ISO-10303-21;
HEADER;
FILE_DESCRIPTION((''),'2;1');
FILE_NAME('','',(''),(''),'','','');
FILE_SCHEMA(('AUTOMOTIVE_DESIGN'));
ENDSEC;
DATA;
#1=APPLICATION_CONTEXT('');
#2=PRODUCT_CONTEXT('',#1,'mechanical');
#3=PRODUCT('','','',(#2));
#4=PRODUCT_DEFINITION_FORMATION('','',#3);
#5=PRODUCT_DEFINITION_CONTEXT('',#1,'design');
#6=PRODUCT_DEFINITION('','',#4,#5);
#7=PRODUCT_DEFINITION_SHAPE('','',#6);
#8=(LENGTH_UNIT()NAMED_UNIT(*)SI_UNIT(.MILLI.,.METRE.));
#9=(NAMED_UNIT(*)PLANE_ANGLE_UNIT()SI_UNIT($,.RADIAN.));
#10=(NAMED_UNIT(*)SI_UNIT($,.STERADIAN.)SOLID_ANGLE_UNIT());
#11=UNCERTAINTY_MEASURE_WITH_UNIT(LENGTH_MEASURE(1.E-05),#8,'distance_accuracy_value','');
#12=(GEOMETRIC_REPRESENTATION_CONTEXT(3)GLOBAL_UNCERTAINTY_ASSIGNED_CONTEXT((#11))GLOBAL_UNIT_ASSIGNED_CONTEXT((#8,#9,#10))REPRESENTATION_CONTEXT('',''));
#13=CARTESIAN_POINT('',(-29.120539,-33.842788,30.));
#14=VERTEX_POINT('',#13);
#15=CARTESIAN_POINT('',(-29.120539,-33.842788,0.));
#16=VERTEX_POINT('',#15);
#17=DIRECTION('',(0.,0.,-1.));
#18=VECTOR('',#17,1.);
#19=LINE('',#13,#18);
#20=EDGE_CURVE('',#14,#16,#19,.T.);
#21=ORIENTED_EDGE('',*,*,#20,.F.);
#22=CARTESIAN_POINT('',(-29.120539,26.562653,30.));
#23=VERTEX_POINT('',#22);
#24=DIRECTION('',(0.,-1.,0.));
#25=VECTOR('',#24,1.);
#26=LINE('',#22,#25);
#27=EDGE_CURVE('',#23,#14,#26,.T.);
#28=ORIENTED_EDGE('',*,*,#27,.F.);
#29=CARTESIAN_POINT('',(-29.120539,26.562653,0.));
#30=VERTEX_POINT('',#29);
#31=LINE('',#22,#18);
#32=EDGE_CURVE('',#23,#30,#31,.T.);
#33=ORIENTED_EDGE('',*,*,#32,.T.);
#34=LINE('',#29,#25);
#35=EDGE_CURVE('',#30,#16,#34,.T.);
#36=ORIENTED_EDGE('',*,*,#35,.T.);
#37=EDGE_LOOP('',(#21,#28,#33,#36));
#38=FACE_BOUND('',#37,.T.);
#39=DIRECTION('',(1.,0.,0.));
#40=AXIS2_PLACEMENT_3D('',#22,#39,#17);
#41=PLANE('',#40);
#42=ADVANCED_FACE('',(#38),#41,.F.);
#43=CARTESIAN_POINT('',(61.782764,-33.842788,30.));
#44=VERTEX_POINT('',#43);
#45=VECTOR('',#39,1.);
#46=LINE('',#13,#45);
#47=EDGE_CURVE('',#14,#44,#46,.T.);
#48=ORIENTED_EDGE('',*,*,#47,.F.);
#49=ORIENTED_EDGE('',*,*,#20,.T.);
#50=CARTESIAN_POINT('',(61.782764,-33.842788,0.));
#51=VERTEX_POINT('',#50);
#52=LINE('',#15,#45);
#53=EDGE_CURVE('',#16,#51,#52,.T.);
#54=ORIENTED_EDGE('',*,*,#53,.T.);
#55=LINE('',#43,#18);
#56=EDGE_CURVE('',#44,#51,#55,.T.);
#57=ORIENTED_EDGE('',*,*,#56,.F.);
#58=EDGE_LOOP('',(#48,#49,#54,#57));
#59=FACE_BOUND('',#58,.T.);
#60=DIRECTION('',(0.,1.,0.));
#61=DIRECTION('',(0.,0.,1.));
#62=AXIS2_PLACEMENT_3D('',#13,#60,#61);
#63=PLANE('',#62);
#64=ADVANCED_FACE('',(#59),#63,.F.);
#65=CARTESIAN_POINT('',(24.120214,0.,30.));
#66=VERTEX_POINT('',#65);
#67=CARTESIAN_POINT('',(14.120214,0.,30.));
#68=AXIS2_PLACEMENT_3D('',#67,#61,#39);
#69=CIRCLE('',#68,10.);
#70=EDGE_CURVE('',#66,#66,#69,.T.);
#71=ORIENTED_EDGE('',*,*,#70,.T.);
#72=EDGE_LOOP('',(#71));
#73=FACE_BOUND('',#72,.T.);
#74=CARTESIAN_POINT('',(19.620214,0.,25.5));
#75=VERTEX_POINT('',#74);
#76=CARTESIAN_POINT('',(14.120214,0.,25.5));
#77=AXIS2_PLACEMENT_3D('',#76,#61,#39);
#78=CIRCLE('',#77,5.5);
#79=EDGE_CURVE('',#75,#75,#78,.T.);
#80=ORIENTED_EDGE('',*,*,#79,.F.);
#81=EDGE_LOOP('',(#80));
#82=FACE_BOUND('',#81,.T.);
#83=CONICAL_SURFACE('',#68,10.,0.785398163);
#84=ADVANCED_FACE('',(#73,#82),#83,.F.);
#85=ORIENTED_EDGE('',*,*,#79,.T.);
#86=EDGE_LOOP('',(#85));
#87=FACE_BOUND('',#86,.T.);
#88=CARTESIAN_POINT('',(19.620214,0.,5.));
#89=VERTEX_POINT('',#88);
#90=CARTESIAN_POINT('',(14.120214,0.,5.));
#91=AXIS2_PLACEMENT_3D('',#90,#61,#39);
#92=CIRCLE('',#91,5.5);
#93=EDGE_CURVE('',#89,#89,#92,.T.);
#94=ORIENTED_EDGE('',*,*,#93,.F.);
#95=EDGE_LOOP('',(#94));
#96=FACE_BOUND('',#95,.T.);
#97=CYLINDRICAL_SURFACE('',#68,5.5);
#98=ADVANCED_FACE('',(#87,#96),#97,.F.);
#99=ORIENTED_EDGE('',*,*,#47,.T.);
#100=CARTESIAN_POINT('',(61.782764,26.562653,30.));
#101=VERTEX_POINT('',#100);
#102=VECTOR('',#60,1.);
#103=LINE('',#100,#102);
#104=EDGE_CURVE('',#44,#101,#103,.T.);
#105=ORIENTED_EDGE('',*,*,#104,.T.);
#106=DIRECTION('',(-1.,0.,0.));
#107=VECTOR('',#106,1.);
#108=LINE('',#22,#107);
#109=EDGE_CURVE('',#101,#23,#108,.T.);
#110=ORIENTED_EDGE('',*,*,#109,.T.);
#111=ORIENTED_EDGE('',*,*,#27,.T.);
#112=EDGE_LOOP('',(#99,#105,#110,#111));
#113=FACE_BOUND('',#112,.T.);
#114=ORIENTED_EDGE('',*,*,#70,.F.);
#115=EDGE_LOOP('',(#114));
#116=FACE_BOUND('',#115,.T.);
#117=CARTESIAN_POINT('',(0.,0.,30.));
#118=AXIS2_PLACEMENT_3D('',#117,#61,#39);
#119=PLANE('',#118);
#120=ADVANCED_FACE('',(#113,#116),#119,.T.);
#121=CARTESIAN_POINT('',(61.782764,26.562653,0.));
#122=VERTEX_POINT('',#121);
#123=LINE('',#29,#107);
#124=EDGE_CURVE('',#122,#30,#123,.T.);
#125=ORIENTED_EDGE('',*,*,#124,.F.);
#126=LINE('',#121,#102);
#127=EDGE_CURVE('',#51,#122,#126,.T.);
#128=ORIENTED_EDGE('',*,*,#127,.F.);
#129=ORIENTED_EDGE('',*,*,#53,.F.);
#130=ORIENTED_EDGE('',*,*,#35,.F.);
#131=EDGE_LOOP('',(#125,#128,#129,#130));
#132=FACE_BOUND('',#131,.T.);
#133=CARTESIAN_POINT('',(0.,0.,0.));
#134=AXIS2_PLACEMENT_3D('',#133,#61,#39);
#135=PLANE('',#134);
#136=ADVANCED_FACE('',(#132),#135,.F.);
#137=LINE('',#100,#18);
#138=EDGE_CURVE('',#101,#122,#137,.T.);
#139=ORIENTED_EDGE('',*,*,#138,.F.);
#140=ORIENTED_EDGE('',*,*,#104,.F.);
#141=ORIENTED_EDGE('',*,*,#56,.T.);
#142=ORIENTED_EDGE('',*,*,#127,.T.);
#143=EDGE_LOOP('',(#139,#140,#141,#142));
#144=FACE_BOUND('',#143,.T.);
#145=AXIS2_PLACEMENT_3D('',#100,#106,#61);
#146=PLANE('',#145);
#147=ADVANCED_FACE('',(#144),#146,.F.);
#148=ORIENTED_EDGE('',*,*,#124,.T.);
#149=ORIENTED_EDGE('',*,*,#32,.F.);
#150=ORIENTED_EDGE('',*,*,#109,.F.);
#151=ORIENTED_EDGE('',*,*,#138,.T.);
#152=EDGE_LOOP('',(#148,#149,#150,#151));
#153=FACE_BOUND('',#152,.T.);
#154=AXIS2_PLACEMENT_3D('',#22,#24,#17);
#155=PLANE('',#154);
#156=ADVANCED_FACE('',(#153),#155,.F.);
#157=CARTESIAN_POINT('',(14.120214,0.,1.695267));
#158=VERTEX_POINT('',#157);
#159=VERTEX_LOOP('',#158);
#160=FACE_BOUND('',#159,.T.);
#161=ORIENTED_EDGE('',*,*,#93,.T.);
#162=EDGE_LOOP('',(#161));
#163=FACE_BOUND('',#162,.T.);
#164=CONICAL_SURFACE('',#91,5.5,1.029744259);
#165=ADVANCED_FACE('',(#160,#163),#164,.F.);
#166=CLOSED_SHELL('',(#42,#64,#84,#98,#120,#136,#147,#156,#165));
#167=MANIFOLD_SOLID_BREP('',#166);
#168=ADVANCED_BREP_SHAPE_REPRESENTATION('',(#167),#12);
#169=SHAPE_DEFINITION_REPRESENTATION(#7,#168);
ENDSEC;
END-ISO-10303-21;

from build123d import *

# Parameters (mm, degrees)
SKETCH1_W                                            = 90.903302848
SKETCH1_H                                            = 60.405441503
BOSS_EXTRUDE1_DEPTH                                  = 30
CSK_FOR_M10_COUNTERSUNK_FLAT_HEAD_SCREW1_D           = 11
CSK_FOR_M10_COUNTERSUNK_FLAT_HEAD_SCREW1_DEPTH       = 25
CSK_FOR_M10_COUNTERSUNK_FLAT_HEAD_SCREW1_CSINK_D     = 20
CSK_FOR_M10_COUNTERSUNK_FLAT_HEAD_SCREW1_CSINK_ANGLE = 90
CSK_FOR_M10_COUNTERSUNK_FLAT_HEAD_SCREW1_TIP         = 3.304733405


with BuildPart() as part:
    # Sketch1 → Boss-Extrude1 (new body)
    with BuildSketch(Plane.XY):
        with Locations((16.331112849, -3.640067322)):
            Rectangle(SKETCH1_W, SKETCH1_H)
    extrude(amount=BOSS_EXTRUDE1_DEPTH)

    # CSK for M10 Countersunk Flat Head Screw1
    with Locations(Plane.XY.offset(30)):
        with Locations((14.120214228, 0)):
            CounterSinkHole(CSK_FOR_M10_COUNTERSUNK_FLAT_HEAD_SCREW1_D / 2, CSK_FOR_M10_COUNTERSUNK_FLAT_HEAD_SCREW1_CSINK_D / 2, depth=CSK_FOR_M10_COUNTERSUNK_FLAT_HEAD_SCREW1_DEPTH, counter_sink_angle=CSK_FOR_M10_COUNTERSUNK_FLAT_HEAD_SCREW1_CSINK_ANGLE)
            with Locations((0, 0, -(CSK_FOR_M10_COUNTERSUNK_FLAT_HEAD_SCREW1_DEPTH + CSK_FOR_M10_COUNTERSUNK_FLAT_HEAD_SCREW1_TIP / 2))):  # 118° drill point
                Cone(0, CSK_FOR_M10_COUNTERSUNK_FLAT_HEAD_SCREW1_D / 2, CSK_FOR_M10_COUNTERSUNK_FLAT_HEAD_SCREW1_TIP, mode=Mode.SUBTRACT)


solid = part.part
